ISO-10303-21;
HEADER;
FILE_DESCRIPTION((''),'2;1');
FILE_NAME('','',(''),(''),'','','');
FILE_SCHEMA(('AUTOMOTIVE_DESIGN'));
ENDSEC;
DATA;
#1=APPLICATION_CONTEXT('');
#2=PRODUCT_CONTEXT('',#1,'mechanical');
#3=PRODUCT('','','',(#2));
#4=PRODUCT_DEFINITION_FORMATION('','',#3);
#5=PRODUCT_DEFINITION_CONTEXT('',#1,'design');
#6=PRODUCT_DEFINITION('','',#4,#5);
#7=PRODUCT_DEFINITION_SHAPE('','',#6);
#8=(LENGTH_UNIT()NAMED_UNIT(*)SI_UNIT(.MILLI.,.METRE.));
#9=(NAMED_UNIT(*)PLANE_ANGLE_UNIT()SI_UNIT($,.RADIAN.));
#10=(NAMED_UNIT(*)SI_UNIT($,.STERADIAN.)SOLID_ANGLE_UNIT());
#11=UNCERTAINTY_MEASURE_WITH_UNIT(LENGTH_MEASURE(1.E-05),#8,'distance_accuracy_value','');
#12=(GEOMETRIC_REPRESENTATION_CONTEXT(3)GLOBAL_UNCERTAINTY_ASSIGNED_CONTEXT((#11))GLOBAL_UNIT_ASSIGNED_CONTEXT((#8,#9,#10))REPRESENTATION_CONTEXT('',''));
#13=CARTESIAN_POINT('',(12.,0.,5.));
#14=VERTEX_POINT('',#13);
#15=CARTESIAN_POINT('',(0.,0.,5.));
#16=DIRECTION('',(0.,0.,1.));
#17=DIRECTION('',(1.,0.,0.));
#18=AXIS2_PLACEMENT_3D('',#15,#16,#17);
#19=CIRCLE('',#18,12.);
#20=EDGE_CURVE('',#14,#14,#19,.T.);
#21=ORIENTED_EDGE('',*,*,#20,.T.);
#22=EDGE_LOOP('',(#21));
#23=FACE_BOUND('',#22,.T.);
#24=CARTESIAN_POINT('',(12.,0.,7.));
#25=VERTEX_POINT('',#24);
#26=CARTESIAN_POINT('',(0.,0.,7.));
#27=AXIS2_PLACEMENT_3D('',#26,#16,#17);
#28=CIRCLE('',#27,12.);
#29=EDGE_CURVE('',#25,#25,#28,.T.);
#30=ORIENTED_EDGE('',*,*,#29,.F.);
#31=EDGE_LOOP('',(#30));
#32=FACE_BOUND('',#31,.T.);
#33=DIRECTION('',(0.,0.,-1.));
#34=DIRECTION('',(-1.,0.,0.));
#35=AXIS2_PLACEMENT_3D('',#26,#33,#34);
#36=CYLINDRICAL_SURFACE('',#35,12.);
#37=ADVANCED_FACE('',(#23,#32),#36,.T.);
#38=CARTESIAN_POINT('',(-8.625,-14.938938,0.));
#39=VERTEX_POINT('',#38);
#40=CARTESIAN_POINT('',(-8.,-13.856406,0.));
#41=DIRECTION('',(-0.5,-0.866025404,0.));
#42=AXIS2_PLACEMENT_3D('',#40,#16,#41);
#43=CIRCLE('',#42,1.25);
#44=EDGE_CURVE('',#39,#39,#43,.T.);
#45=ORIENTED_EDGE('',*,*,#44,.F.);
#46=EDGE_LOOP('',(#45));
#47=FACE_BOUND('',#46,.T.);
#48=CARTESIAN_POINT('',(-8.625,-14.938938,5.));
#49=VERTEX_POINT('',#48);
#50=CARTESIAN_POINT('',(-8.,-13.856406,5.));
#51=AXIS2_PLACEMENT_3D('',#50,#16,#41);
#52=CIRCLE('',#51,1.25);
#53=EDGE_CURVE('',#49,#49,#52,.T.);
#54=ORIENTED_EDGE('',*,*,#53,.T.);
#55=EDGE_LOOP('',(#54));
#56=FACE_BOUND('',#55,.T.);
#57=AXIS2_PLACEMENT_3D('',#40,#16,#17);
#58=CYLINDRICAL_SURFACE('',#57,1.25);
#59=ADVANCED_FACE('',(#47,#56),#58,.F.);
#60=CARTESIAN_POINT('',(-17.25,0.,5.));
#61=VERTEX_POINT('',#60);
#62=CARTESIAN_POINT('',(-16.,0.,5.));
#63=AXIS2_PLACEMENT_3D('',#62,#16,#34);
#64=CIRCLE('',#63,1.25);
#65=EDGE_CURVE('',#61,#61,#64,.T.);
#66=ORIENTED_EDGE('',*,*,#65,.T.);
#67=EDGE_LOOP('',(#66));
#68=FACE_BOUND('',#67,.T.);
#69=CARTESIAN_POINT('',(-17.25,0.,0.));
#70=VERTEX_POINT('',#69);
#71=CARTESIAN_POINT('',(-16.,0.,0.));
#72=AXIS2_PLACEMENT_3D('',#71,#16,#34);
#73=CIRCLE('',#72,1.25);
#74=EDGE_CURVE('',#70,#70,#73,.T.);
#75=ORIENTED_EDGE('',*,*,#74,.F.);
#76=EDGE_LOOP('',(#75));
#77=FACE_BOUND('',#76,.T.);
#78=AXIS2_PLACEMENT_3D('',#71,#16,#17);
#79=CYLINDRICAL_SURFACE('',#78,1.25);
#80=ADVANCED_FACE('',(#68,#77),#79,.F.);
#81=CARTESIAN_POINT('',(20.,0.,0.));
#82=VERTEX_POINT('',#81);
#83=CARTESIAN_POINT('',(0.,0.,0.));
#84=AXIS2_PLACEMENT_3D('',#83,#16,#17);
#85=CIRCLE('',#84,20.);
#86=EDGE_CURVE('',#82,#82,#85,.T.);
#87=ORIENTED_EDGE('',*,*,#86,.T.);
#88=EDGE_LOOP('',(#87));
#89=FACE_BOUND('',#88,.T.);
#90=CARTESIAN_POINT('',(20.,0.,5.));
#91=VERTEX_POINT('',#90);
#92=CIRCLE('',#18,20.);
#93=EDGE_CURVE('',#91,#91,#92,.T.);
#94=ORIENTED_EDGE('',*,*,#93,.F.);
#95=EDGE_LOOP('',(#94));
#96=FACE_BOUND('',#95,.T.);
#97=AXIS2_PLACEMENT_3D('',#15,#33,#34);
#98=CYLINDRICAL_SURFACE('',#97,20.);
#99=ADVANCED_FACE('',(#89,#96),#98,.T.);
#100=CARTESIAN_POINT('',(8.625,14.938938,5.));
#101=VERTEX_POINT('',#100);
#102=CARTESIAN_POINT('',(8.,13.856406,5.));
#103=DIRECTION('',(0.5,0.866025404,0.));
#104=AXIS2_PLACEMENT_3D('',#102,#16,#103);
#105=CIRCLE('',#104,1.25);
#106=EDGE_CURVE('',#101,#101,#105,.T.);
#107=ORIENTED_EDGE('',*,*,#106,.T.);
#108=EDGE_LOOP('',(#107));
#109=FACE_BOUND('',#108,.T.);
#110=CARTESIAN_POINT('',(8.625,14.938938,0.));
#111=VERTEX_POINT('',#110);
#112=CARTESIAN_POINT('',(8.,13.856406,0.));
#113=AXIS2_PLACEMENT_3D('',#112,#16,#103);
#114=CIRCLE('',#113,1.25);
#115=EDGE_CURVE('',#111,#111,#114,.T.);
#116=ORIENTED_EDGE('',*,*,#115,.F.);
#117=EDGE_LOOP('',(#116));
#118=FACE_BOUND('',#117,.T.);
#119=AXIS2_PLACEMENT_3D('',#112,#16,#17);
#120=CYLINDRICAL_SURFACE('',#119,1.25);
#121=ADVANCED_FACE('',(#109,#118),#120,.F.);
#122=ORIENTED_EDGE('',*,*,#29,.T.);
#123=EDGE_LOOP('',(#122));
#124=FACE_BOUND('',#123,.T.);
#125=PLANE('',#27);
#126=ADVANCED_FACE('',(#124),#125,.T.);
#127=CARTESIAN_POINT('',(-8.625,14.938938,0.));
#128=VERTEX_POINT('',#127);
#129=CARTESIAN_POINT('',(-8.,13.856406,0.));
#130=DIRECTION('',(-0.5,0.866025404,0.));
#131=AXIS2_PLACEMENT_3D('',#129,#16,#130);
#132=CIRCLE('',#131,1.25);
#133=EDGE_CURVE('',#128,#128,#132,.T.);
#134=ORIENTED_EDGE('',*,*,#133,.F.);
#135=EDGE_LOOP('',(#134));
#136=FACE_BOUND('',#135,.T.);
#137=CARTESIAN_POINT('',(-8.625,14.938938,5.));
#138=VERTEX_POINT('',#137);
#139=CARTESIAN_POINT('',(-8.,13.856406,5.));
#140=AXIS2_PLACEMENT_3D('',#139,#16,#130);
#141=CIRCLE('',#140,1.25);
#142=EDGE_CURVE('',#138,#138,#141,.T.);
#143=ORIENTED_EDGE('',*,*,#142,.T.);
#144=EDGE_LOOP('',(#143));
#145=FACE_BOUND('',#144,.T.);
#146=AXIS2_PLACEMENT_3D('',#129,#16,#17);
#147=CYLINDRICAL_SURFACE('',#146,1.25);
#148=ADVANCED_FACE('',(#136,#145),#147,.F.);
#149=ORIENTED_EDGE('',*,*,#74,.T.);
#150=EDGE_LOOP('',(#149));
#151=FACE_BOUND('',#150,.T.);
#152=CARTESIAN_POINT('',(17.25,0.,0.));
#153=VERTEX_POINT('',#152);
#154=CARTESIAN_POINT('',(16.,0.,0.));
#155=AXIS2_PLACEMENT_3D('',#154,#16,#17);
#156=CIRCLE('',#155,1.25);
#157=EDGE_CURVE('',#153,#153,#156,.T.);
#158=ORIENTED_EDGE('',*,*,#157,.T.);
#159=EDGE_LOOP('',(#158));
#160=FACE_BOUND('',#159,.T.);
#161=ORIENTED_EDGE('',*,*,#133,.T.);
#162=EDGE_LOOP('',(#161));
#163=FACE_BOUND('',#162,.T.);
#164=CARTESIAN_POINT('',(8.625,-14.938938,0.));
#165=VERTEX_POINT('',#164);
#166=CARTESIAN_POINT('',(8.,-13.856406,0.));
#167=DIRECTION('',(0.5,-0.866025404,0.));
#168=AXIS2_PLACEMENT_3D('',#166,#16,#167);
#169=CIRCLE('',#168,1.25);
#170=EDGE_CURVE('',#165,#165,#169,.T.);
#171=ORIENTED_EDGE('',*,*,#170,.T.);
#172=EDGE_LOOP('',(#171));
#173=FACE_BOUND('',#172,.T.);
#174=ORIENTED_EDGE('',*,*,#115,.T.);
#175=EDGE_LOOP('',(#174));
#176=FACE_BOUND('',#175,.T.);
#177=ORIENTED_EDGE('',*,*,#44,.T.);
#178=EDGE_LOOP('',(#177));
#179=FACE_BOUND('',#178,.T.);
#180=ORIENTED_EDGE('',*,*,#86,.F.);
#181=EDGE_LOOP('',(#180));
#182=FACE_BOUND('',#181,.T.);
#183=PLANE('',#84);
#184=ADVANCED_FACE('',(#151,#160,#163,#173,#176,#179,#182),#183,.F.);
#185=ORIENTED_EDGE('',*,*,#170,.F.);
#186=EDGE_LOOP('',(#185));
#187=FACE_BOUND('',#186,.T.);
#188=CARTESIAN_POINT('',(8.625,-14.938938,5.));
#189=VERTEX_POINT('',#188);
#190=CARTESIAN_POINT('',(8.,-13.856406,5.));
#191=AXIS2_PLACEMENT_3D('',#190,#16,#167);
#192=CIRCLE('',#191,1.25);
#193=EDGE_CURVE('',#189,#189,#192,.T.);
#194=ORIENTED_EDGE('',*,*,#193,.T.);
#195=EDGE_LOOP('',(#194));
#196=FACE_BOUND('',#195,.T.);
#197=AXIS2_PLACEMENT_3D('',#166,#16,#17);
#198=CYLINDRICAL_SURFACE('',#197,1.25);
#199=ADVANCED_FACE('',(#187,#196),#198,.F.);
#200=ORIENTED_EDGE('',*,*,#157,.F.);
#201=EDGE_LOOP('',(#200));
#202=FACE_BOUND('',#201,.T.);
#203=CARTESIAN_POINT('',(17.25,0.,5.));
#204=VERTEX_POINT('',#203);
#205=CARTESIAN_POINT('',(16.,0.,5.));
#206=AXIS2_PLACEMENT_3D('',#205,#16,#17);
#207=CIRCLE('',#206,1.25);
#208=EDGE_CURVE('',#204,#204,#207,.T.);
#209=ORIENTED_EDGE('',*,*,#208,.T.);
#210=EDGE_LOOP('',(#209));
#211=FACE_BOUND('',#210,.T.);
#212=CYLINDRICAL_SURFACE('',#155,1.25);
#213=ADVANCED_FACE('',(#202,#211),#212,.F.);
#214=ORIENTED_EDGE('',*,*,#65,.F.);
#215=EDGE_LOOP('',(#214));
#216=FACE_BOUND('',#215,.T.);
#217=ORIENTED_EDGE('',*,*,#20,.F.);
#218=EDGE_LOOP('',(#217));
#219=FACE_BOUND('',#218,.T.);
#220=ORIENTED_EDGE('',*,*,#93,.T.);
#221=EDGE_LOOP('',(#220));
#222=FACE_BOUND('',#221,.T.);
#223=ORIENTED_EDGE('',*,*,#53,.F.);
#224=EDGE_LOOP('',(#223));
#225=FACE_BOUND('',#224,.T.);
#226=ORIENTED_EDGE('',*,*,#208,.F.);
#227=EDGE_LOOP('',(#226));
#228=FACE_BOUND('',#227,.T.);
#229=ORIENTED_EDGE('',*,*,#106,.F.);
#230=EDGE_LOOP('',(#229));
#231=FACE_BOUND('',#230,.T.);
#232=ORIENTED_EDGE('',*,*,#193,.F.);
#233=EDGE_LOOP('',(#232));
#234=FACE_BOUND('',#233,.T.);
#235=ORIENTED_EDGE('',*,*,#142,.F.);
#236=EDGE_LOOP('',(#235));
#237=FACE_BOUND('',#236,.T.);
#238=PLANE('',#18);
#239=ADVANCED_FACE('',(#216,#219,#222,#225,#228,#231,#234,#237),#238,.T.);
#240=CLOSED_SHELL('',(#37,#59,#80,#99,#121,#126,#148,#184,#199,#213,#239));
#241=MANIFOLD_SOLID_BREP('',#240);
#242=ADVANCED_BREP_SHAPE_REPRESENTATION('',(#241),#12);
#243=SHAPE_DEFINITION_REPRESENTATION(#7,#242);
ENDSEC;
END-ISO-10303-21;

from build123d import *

# Parameters (mm, degrees)
SK_DISC_R                 = 20
OUTPUT_DISC_DEPTH         = 5
SK_PILOT_R                = 12
PILOT_BOSS_DEPTH          = 2
SK_OUTHOLE_R              = 1.25
OUTPUT_TAPPED_HOLE_DEPTH  = 5
OUTPUT_HOLE_PATTERN_COUNT = 6


with BuildPart() as part:
    # SK_Disc → Output_Disc (new body)
    with BuildSketch(Plane.XY):
        Circle(SK_DISC_R)
    extrude(amount=OUTPUT_DISC_DEPTH)

    # SK_Pilot → Pilot_Boss (add)
    with BuildSketch(Plane.XY.offset(5)):
        Circle(SK_PILOT_R)
    extrude(amount=PILOT_BOSS_DEPTH)

    # SK_OutHole → Output_Tapped_Hole (cut)
    with BuildSketch(Plane.XY.offset(5)):
        with Locations((16, 0)):
            Circle(SK_OUTHOLE_R)
    output_tapped_hole = extrude(amount=-OUTPUT_TAPPED_HOLE_DEPTH, mode=Mode.SUBTRACT)

    # Output_Hole_Pattern: Output_Tapped_Hole ×6 about axis
    output_hole_pattern_axis = Axis((0, 0, -0.35), (0, 0, 1))
    for i in range(1, OUTPUT_HOLE_PATTERN_COUNT):
        add(output_tapped_hole.rotate(output_hole_pattern_axis, i * 360 / OUTPUT_HOLE_PATTERN_COUNT), mode=Mode.SUBTRACT)


solid = part.part
